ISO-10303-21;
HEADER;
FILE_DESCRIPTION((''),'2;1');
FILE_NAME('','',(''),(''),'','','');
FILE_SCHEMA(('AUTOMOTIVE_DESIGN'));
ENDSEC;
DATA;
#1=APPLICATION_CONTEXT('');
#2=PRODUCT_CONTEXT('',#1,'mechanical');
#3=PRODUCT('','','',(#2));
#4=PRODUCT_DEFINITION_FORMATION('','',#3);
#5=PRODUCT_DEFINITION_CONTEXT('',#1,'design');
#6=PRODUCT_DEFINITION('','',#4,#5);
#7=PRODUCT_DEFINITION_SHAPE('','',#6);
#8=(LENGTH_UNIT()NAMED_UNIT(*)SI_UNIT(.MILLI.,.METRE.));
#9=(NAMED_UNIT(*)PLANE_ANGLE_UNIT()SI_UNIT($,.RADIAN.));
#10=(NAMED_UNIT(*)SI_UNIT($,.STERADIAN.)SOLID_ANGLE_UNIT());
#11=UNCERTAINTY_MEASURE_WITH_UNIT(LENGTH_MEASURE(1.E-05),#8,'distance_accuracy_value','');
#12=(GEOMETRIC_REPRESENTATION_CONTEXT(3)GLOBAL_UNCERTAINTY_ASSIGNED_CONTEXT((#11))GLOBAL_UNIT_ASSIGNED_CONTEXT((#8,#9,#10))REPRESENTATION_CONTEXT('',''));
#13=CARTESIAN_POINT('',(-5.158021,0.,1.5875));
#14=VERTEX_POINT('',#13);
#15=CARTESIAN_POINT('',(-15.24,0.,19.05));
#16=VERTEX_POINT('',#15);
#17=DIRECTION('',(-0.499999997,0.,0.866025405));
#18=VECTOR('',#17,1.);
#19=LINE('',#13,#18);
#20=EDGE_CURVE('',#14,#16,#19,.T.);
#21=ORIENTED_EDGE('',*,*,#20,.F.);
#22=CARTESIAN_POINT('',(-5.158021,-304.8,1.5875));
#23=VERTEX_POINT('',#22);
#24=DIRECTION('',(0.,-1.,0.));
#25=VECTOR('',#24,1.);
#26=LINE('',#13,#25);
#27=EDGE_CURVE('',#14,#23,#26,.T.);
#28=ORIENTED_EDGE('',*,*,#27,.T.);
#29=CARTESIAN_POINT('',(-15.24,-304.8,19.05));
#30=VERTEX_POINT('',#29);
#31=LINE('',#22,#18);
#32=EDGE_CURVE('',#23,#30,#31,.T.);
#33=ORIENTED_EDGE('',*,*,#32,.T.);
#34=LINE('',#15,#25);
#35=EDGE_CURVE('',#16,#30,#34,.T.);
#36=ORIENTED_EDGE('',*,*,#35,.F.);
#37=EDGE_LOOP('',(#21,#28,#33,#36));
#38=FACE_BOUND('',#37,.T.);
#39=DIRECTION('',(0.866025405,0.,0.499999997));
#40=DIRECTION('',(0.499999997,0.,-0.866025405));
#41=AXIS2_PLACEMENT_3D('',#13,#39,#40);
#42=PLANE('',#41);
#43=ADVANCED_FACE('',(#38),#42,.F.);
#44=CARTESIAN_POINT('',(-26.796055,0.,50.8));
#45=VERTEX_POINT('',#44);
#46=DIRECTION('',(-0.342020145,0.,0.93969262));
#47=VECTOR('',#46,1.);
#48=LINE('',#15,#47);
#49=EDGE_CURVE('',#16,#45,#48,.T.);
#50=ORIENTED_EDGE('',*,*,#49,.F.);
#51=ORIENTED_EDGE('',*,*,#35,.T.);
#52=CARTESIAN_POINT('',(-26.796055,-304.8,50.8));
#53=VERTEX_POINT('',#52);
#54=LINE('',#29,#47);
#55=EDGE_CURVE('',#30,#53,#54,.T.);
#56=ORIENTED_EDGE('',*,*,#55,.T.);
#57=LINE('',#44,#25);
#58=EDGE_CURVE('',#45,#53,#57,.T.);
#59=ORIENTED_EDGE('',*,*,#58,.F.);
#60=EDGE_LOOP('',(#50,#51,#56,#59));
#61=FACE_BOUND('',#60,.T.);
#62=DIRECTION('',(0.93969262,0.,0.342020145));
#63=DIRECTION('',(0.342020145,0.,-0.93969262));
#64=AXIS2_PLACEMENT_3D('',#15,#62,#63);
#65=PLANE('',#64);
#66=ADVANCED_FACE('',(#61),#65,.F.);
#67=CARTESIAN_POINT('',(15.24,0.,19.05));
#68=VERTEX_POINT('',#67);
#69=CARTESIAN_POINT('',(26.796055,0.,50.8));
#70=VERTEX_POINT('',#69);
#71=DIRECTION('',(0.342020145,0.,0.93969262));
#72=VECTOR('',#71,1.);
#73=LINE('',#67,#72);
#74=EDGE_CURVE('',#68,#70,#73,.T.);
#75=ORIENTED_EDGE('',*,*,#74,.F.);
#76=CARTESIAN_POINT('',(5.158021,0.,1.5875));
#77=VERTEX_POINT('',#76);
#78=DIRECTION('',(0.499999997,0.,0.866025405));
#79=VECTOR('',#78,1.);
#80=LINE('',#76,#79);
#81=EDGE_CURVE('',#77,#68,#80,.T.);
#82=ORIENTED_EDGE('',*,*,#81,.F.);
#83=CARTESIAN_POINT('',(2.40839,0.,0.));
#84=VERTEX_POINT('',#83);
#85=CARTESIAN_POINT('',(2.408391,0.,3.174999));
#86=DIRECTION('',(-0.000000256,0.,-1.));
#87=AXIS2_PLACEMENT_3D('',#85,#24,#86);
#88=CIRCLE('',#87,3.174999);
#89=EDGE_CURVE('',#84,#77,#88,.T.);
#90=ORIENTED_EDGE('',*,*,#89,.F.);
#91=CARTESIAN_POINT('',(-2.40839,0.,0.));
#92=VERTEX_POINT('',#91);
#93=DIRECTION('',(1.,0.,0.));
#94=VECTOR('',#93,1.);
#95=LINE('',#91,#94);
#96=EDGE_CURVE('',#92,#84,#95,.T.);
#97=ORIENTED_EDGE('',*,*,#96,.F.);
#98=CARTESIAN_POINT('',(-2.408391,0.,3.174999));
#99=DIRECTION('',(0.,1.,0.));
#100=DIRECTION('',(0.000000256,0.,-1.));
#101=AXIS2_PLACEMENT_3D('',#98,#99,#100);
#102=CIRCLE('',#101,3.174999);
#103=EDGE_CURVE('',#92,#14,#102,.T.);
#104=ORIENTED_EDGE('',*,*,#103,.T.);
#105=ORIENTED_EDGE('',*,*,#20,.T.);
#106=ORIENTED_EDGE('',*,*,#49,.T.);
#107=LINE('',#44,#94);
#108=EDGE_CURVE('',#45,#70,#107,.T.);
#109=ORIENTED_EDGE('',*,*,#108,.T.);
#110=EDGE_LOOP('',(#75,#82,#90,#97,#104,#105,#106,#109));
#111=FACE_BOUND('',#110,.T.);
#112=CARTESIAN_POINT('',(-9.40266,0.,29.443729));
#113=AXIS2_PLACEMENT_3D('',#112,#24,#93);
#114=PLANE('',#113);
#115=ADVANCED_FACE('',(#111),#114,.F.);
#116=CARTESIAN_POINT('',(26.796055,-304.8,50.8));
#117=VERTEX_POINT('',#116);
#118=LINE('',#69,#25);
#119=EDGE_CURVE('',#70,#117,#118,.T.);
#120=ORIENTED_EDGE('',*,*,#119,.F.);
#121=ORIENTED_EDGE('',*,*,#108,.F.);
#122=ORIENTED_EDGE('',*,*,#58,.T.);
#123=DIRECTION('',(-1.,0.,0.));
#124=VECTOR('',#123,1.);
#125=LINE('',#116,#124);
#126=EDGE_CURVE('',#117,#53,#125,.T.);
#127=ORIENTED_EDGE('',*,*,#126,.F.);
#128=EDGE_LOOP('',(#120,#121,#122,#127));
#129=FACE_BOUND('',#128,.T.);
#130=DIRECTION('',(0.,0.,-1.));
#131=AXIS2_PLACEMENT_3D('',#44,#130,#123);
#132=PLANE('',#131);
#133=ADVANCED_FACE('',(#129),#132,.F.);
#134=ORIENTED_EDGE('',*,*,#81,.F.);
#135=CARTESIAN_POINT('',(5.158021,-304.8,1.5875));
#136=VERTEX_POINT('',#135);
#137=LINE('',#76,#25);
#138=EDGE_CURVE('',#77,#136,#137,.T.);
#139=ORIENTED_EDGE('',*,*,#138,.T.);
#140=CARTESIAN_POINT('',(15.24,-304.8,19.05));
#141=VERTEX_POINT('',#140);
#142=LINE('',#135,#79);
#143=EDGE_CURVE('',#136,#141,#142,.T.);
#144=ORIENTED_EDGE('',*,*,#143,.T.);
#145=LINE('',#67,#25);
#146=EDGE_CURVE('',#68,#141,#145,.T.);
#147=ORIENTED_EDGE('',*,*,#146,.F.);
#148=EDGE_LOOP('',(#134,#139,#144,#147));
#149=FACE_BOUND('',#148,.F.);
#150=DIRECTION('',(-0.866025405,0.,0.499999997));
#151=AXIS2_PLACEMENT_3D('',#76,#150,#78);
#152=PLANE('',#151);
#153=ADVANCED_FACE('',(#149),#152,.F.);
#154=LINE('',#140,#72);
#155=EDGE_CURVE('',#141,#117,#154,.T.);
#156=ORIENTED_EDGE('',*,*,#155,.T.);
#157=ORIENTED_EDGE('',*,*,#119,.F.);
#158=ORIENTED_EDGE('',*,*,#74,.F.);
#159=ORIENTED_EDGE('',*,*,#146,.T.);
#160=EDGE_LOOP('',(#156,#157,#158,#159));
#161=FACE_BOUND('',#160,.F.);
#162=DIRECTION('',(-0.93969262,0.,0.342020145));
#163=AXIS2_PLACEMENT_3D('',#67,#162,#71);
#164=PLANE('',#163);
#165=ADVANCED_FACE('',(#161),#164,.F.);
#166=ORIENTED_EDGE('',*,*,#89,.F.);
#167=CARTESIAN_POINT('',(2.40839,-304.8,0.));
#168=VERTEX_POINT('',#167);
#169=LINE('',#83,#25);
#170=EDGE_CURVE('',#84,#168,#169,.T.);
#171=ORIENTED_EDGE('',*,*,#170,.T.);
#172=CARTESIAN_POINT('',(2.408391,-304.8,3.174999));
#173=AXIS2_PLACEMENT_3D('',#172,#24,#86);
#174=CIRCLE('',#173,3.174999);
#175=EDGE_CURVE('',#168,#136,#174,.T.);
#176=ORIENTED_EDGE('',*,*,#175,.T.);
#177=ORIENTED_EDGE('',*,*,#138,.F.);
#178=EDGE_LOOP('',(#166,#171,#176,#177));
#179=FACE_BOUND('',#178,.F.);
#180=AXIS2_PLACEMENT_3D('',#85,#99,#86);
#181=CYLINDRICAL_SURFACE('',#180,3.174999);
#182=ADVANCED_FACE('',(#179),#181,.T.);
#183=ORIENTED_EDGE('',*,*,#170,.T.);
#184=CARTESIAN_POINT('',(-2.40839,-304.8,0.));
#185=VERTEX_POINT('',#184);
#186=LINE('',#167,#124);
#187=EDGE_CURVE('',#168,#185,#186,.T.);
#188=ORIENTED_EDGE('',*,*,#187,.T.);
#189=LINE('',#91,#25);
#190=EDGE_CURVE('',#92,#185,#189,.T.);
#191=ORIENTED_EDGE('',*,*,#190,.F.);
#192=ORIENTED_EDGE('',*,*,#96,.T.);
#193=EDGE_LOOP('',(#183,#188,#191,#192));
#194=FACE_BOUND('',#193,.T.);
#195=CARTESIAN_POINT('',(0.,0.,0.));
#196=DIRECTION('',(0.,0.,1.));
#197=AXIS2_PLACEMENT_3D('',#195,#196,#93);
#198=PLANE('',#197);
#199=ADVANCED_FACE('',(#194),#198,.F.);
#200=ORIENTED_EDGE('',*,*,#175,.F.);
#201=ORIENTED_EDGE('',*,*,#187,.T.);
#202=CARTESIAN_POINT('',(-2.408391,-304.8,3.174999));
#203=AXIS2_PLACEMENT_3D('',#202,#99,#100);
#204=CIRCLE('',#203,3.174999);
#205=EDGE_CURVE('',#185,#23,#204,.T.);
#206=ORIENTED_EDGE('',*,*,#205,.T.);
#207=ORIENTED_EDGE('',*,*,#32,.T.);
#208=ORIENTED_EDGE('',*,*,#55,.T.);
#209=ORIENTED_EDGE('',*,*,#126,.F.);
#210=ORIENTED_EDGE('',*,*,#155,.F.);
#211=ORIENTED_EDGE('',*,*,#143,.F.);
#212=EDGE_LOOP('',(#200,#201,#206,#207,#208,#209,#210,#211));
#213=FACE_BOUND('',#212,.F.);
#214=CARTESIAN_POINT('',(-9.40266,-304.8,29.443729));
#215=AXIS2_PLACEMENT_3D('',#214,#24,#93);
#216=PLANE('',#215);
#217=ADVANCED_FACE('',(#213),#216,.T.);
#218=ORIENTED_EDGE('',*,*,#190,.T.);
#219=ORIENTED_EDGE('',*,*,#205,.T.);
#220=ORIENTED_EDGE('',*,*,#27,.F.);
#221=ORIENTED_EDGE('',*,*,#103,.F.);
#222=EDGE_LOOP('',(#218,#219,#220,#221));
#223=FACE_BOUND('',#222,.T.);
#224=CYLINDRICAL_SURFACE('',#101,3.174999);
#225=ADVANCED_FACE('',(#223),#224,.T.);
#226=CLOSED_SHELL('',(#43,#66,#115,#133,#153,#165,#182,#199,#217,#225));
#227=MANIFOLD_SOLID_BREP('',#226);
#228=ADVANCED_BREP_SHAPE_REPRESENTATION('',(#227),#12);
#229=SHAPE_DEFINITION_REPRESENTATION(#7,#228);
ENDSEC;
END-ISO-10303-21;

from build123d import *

# Parameters (mm, degrees)
F1_DEPTH = 304.8


with BuildPart() as f1:
    # F0 (on Front) → F1 (new body)
    with BuildSketch(Plane.XZ):
        with BuildLine():
            Line((0, 50.8), (0, 0))
            Line((0, 0), (2.40839, 0))
            ThreePointArc((2.40839, 0), (3.99589, 0.425369), (5.158021, 1.5875))
            Line((5.158021, 1.5875), (15.24, 19.05))
            Line((15.24, 19.05), (26.796055, 50.8))
            Line((26.796055, 50.8), (0, 50.8))
        make_face()
    extrude(amount=F1_DEPTH)

    # F2: F1 across face


with BuildPart() as f1_1:
    add(f1.part)
    add(f1.part.mirror(Plane(origin=(0, -152.4, 25.4), x_dir=(0, -1, 0), z_dir=(-1, 0, 0))))


solid = f1_1.part
